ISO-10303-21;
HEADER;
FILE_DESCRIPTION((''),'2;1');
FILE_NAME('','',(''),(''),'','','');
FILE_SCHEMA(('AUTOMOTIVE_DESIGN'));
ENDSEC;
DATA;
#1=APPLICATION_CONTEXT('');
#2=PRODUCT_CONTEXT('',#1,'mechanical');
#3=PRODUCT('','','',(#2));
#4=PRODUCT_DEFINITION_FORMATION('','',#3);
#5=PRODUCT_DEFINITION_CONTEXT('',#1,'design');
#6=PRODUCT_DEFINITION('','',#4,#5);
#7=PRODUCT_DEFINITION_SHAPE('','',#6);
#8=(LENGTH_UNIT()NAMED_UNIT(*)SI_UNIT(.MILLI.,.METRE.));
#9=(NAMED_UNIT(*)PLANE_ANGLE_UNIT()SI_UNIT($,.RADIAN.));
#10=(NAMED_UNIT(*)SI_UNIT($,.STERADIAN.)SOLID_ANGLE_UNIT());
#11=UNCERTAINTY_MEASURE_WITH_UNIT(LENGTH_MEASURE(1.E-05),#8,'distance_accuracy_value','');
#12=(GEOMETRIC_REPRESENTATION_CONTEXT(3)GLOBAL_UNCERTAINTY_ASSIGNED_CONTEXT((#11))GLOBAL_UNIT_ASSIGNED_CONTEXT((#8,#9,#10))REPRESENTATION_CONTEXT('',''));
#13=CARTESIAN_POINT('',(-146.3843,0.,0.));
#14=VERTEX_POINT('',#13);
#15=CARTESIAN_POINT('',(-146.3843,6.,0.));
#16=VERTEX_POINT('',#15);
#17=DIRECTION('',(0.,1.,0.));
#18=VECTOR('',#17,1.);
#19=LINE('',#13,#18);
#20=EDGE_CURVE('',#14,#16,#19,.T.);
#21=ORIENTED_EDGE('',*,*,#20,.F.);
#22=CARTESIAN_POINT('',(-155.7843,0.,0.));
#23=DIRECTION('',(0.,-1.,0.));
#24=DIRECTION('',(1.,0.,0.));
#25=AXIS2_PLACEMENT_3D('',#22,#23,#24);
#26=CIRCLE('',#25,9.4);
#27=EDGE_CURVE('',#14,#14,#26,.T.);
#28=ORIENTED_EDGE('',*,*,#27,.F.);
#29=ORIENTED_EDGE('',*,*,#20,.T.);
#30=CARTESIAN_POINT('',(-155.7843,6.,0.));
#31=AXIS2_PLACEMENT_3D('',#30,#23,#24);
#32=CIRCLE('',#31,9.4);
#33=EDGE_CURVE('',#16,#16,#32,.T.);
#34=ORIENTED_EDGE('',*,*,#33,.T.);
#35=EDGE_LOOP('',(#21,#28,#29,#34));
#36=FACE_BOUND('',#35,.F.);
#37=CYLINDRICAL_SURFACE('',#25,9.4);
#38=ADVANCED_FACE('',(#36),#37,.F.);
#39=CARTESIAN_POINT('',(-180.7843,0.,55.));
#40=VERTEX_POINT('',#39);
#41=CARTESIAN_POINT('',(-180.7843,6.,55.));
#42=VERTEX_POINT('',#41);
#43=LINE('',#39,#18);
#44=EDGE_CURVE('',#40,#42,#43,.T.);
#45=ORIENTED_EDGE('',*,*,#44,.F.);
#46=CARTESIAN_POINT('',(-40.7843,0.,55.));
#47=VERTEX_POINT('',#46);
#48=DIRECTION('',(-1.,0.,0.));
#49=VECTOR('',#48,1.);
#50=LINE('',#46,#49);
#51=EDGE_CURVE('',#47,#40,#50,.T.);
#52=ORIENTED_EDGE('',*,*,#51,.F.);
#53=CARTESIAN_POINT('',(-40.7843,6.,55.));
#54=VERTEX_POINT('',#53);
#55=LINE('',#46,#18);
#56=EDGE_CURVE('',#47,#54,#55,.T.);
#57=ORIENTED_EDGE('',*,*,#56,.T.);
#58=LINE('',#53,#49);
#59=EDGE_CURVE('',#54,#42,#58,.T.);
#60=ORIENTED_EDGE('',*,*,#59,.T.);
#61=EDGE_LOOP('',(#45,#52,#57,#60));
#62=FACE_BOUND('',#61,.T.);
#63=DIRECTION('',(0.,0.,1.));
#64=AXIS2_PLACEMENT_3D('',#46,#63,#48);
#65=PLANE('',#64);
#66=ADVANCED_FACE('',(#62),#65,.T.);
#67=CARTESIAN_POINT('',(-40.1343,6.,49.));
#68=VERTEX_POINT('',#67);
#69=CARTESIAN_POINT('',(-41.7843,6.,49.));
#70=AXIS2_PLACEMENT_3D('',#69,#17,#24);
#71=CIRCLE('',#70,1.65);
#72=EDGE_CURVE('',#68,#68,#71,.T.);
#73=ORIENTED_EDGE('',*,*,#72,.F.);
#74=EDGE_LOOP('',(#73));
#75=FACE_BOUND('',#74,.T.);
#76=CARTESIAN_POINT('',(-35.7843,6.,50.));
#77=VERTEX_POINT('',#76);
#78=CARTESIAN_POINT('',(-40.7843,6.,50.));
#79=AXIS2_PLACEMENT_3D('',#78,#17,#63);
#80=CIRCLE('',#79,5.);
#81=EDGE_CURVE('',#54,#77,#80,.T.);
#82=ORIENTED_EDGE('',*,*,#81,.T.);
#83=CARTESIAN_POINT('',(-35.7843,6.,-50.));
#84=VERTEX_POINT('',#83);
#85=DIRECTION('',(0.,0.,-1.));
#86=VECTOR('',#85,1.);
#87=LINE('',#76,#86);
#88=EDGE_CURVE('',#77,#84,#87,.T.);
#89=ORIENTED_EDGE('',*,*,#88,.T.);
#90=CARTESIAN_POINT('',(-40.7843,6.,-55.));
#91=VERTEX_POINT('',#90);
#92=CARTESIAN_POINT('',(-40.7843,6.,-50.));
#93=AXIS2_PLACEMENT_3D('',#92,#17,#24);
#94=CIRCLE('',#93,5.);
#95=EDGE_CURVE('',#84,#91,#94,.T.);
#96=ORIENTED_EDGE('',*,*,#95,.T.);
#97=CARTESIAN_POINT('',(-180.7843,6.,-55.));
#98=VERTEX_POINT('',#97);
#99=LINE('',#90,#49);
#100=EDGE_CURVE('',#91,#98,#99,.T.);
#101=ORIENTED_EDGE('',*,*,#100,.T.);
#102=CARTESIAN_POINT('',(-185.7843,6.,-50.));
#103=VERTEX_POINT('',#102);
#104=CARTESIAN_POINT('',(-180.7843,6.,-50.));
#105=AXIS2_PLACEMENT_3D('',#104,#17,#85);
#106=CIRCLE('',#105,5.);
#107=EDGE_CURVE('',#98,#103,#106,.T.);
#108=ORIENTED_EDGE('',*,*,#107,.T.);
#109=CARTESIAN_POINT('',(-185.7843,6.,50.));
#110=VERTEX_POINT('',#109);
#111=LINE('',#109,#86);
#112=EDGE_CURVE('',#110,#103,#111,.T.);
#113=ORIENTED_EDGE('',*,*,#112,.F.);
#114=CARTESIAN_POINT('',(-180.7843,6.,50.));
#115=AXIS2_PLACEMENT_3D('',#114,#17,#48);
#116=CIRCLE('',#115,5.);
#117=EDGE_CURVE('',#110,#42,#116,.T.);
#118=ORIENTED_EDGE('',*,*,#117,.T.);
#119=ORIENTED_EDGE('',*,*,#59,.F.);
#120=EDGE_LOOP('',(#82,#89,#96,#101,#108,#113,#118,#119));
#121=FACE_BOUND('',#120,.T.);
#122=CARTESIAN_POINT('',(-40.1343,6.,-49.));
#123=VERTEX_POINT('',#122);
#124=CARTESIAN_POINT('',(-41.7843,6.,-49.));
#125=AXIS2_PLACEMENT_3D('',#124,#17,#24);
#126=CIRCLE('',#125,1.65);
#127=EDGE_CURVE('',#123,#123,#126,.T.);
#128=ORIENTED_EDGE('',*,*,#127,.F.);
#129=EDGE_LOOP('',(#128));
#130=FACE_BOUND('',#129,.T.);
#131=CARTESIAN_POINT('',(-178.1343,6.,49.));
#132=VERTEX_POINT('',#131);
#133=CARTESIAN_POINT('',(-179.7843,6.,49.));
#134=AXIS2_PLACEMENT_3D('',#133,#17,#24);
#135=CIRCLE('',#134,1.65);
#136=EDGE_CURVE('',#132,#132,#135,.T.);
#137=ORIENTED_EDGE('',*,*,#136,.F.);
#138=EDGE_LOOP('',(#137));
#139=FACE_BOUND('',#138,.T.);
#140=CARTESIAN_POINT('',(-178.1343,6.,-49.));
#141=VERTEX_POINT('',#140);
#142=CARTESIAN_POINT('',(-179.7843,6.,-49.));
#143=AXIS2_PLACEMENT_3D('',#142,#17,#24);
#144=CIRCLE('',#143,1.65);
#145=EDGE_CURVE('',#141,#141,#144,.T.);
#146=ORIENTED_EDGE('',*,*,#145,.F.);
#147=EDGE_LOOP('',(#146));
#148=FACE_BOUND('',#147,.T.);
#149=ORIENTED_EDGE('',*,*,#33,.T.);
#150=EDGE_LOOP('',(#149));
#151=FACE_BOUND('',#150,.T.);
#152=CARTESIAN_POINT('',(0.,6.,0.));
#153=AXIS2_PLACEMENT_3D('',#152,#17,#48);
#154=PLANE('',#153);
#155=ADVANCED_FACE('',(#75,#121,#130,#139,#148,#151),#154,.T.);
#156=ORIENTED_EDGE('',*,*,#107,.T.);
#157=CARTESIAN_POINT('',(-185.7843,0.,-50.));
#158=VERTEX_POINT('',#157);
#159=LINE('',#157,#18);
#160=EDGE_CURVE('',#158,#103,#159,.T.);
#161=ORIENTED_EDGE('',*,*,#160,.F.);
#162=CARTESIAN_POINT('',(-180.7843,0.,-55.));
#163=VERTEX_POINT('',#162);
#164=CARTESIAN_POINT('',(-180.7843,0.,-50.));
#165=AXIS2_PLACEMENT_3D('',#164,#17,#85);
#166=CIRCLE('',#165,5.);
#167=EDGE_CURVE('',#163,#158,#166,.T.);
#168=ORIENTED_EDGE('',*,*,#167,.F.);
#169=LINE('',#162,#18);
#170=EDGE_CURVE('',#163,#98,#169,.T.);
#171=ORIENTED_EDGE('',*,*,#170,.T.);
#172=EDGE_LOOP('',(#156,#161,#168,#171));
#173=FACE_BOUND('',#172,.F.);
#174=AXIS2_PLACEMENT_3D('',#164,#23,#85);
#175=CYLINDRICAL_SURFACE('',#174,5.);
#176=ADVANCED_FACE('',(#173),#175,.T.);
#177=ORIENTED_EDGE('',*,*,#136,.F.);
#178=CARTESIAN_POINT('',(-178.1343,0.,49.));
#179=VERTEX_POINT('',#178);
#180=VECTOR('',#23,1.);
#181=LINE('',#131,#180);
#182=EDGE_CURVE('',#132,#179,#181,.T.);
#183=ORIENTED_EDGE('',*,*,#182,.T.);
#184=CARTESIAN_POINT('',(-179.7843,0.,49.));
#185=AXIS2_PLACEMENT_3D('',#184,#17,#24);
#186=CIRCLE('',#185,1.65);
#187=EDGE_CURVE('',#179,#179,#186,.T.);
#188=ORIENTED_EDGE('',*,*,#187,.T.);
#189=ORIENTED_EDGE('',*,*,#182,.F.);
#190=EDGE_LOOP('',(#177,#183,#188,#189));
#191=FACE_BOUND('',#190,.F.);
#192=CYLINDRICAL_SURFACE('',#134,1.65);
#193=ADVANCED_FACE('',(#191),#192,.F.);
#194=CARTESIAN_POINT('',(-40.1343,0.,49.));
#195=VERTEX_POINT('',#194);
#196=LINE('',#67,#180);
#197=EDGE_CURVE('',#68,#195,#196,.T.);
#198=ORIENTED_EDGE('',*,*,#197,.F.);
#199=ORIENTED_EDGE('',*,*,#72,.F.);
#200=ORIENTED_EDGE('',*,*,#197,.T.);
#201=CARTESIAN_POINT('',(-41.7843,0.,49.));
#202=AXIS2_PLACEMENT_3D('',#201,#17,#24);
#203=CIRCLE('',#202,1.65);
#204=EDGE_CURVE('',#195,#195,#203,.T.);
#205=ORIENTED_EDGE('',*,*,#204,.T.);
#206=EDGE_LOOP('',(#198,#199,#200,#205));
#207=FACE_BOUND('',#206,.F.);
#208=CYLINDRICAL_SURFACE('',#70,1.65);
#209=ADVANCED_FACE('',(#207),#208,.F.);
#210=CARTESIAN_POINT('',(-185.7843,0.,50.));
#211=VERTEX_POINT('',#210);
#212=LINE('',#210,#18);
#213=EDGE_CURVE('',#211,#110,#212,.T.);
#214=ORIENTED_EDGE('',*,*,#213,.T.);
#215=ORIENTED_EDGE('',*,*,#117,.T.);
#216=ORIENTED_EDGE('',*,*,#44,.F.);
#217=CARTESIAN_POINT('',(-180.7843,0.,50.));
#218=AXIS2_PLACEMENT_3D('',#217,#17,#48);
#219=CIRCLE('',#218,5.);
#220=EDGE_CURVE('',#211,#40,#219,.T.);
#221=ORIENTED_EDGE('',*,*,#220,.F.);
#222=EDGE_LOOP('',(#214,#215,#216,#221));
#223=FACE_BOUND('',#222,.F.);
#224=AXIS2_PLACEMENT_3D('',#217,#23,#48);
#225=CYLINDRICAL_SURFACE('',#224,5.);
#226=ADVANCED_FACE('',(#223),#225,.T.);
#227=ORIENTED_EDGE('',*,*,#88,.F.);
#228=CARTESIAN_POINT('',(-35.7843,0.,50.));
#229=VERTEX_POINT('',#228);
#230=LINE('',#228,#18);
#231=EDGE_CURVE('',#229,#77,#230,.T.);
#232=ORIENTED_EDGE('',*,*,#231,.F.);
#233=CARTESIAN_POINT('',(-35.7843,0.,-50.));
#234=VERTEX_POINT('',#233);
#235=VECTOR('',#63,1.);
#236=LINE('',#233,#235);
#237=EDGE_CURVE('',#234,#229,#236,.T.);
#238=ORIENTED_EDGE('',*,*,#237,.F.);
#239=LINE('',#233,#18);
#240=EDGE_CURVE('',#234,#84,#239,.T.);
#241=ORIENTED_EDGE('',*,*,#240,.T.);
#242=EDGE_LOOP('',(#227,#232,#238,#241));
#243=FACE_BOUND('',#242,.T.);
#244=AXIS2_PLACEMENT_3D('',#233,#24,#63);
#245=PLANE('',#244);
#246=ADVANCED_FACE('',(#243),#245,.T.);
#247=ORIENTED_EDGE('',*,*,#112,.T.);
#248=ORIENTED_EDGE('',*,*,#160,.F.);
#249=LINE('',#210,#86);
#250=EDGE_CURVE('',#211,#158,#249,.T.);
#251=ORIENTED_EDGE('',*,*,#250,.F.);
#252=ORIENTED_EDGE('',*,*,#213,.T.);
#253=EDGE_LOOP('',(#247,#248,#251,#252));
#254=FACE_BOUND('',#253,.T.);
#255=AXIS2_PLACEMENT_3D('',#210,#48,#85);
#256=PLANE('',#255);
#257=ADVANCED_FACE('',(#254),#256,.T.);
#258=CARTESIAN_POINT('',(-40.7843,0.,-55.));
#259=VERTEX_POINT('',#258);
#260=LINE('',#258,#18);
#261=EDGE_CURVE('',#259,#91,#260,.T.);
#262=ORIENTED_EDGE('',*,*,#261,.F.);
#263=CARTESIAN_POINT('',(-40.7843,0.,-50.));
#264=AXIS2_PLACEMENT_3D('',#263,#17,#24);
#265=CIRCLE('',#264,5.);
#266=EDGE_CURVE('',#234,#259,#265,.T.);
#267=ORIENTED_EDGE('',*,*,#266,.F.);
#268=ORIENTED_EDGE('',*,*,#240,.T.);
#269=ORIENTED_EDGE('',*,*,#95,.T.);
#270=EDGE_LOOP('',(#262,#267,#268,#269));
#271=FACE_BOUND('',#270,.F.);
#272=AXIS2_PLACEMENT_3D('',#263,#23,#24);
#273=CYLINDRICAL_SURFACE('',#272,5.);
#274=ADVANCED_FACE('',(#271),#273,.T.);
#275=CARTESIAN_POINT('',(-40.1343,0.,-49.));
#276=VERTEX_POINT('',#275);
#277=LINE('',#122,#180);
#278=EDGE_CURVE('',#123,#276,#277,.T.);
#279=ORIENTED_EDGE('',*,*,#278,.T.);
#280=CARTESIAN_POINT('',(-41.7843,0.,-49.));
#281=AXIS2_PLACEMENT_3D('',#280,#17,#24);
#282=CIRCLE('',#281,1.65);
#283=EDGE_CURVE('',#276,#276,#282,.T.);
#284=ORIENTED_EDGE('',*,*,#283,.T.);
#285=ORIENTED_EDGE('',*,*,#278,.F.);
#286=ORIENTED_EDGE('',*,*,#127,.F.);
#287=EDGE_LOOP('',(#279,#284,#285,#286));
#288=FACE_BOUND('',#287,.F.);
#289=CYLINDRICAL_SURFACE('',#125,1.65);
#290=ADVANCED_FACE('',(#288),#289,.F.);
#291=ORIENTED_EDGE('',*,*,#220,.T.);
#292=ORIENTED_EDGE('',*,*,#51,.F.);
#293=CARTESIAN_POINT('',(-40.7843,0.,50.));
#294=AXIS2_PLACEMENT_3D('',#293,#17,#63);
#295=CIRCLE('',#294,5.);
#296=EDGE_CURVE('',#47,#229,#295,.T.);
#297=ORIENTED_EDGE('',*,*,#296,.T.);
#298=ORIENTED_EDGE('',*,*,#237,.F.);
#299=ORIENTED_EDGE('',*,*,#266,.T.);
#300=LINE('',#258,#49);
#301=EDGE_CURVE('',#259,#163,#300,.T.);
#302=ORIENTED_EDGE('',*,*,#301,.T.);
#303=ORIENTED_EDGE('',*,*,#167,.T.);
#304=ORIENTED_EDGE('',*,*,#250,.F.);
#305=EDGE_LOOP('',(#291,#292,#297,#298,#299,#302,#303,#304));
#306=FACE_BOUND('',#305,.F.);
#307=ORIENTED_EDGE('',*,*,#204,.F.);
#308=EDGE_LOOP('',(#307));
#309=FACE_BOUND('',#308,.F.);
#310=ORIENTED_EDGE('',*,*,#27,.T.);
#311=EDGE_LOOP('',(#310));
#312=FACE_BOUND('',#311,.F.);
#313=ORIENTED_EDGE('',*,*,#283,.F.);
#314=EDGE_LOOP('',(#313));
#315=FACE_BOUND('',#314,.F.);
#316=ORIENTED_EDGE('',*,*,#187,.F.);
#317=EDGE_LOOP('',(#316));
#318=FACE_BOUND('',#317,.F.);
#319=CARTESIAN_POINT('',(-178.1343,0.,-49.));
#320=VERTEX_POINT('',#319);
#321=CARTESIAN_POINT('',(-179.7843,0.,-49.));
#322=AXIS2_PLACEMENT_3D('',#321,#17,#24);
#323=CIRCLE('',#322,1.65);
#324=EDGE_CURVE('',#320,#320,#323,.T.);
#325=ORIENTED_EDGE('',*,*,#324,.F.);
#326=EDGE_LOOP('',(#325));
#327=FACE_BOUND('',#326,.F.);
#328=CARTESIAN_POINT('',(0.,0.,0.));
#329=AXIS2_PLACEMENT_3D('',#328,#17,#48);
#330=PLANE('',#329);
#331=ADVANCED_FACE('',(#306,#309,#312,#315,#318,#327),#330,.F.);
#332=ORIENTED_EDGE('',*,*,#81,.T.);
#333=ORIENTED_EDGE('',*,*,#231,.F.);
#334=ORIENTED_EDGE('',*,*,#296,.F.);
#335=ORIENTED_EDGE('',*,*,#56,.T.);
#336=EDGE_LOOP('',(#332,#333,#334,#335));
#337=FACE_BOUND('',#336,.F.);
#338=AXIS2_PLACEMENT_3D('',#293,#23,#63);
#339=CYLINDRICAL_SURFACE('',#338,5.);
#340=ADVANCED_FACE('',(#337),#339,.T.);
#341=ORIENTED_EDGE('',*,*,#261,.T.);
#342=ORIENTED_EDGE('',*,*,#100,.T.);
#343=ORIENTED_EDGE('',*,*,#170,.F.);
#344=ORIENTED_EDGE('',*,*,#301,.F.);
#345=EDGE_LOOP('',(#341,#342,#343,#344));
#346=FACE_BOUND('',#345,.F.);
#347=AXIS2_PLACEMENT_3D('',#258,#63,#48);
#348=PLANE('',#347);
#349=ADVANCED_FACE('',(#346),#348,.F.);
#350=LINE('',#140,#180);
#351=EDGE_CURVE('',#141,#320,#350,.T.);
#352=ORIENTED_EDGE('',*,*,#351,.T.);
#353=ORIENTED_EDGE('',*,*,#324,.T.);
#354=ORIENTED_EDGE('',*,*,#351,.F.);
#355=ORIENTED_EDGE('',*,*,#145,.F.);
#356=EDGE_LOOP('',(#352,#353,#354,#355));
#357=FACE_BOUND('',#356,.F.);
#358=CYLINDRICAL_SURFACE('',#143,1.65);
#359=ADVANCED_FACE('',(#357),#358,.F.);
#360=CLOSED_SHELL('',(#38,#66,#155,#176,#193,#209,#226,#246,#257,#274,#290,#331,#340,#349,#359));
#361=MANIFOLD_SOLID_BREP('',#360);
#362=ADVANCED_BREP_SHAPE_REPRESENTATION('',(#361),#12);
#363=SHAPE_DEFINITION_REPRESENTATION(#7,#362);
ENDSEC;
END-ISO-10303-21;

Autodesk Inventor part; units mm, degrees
ref_plane "YZ Plane" through (0, 0, 0) normal (1, 0, 0) x (0, 1, 0)
ref_plane "XZ Plane" through (0, 0, 0) normal (0, 1, 0) x (-1, 0, 0)
ref_plane "XY Plane" through (0, 0, 0) normal (0, 0, 1) x (1, 0, 0)
sketch "Sketch1" plane through (0, 0, 0) normal (0, 1, 0) x (-1, 0, 0)
  circle A0 centre (179.7843, -49) radius 2.65
  circle A1 centre (41.7843, 49) radius 2.65
  circle A2 centre (179.7843, 49) radius 2.65
  circle A3 centre (41.7843, -49) radius 2.65
  arc A4 (185.7843, 50) -> (180.7843, 55) centre (180.7843, 50) ccw
  line L0 (40.7843, 55) -> (180.7843, 55)
  arc A5 (40.7843, 55) -> (35.7843, 50) centre (40.7843, 50) ccw
  line L1 (35.7843, 12.5) -> (35.7843, 50)
  line L2 (35.7843, -50) -> (35.7843, -12.5)
  arc A6 (35.7843, -50) -> (40.7843, -55) centre (40.7843, -50) ccw
  line L3 (40.7843, -55) -> (180.7843, -55)
  arc A7 (180.7843, -55) -> (185.7843, -50) centre (180.7843, -50) ccw
  line L4 (185.7843, 50) -> (185.7843, -50)
  line L5 (35.7843, -12.5) -> (35.7843, 12.5)
  point P0 (0, 0)
  point P1 (35.7843, 55)
extrude "Extrusion1" add sketch "Sketch1" along normal blind 6
sketch "Sketch2" plane through (0, 6, 0) normal (0, 1, 0) x (1, 0, 0)
  circle A0 centre (-179.7843, 49) radius 2.65 projected
  circle A1 centre (-179.7843, 49) radius 1.65
  circle A2 centre (-41.7843, 49) radius 2.65 projected
  circle A3 centre (-41.7843, 49) radius 1.65
  circle A4 centre (-41.7843, -49) radius 2.65 projected
  circle A5 centre (-41.7843, -49) radius 1.65
  circle A6 centre (-179.7843, -49) radius 2.65 projected
  circle A7 centre (-179.7843, -49) radius 1.65
  point P0 (0, 0)
  dimension "d2" = 3.3
  dimension "d3" = 3.3
  dimension "d4" = 3.3
  dimension "d5" = 3.3
extrude "Extrusion2" add sketch "Sketch2" against normal blind 6
sketch "Sketch3" plane through (0, 0, 0) normal (0, -1, 0) x (1, 0, 0)
  circle A0 centre (-155.7843, 0) radius 9.4
  line L0 (-185.7843, 50) -> (-185.7843, -50) projected
  line L1 (-40.7843, 55) -> (-180.7843, 55) projected
  point P0 (0, 0)
  dimension "d8" = 18.8
  dimension "d9" = 30
  dimension "d10" = 55
extrude "Extrusion3" cut sketch "Sketch3" against normal blind 6
properties part number "MainHousing_BottomPlate"
